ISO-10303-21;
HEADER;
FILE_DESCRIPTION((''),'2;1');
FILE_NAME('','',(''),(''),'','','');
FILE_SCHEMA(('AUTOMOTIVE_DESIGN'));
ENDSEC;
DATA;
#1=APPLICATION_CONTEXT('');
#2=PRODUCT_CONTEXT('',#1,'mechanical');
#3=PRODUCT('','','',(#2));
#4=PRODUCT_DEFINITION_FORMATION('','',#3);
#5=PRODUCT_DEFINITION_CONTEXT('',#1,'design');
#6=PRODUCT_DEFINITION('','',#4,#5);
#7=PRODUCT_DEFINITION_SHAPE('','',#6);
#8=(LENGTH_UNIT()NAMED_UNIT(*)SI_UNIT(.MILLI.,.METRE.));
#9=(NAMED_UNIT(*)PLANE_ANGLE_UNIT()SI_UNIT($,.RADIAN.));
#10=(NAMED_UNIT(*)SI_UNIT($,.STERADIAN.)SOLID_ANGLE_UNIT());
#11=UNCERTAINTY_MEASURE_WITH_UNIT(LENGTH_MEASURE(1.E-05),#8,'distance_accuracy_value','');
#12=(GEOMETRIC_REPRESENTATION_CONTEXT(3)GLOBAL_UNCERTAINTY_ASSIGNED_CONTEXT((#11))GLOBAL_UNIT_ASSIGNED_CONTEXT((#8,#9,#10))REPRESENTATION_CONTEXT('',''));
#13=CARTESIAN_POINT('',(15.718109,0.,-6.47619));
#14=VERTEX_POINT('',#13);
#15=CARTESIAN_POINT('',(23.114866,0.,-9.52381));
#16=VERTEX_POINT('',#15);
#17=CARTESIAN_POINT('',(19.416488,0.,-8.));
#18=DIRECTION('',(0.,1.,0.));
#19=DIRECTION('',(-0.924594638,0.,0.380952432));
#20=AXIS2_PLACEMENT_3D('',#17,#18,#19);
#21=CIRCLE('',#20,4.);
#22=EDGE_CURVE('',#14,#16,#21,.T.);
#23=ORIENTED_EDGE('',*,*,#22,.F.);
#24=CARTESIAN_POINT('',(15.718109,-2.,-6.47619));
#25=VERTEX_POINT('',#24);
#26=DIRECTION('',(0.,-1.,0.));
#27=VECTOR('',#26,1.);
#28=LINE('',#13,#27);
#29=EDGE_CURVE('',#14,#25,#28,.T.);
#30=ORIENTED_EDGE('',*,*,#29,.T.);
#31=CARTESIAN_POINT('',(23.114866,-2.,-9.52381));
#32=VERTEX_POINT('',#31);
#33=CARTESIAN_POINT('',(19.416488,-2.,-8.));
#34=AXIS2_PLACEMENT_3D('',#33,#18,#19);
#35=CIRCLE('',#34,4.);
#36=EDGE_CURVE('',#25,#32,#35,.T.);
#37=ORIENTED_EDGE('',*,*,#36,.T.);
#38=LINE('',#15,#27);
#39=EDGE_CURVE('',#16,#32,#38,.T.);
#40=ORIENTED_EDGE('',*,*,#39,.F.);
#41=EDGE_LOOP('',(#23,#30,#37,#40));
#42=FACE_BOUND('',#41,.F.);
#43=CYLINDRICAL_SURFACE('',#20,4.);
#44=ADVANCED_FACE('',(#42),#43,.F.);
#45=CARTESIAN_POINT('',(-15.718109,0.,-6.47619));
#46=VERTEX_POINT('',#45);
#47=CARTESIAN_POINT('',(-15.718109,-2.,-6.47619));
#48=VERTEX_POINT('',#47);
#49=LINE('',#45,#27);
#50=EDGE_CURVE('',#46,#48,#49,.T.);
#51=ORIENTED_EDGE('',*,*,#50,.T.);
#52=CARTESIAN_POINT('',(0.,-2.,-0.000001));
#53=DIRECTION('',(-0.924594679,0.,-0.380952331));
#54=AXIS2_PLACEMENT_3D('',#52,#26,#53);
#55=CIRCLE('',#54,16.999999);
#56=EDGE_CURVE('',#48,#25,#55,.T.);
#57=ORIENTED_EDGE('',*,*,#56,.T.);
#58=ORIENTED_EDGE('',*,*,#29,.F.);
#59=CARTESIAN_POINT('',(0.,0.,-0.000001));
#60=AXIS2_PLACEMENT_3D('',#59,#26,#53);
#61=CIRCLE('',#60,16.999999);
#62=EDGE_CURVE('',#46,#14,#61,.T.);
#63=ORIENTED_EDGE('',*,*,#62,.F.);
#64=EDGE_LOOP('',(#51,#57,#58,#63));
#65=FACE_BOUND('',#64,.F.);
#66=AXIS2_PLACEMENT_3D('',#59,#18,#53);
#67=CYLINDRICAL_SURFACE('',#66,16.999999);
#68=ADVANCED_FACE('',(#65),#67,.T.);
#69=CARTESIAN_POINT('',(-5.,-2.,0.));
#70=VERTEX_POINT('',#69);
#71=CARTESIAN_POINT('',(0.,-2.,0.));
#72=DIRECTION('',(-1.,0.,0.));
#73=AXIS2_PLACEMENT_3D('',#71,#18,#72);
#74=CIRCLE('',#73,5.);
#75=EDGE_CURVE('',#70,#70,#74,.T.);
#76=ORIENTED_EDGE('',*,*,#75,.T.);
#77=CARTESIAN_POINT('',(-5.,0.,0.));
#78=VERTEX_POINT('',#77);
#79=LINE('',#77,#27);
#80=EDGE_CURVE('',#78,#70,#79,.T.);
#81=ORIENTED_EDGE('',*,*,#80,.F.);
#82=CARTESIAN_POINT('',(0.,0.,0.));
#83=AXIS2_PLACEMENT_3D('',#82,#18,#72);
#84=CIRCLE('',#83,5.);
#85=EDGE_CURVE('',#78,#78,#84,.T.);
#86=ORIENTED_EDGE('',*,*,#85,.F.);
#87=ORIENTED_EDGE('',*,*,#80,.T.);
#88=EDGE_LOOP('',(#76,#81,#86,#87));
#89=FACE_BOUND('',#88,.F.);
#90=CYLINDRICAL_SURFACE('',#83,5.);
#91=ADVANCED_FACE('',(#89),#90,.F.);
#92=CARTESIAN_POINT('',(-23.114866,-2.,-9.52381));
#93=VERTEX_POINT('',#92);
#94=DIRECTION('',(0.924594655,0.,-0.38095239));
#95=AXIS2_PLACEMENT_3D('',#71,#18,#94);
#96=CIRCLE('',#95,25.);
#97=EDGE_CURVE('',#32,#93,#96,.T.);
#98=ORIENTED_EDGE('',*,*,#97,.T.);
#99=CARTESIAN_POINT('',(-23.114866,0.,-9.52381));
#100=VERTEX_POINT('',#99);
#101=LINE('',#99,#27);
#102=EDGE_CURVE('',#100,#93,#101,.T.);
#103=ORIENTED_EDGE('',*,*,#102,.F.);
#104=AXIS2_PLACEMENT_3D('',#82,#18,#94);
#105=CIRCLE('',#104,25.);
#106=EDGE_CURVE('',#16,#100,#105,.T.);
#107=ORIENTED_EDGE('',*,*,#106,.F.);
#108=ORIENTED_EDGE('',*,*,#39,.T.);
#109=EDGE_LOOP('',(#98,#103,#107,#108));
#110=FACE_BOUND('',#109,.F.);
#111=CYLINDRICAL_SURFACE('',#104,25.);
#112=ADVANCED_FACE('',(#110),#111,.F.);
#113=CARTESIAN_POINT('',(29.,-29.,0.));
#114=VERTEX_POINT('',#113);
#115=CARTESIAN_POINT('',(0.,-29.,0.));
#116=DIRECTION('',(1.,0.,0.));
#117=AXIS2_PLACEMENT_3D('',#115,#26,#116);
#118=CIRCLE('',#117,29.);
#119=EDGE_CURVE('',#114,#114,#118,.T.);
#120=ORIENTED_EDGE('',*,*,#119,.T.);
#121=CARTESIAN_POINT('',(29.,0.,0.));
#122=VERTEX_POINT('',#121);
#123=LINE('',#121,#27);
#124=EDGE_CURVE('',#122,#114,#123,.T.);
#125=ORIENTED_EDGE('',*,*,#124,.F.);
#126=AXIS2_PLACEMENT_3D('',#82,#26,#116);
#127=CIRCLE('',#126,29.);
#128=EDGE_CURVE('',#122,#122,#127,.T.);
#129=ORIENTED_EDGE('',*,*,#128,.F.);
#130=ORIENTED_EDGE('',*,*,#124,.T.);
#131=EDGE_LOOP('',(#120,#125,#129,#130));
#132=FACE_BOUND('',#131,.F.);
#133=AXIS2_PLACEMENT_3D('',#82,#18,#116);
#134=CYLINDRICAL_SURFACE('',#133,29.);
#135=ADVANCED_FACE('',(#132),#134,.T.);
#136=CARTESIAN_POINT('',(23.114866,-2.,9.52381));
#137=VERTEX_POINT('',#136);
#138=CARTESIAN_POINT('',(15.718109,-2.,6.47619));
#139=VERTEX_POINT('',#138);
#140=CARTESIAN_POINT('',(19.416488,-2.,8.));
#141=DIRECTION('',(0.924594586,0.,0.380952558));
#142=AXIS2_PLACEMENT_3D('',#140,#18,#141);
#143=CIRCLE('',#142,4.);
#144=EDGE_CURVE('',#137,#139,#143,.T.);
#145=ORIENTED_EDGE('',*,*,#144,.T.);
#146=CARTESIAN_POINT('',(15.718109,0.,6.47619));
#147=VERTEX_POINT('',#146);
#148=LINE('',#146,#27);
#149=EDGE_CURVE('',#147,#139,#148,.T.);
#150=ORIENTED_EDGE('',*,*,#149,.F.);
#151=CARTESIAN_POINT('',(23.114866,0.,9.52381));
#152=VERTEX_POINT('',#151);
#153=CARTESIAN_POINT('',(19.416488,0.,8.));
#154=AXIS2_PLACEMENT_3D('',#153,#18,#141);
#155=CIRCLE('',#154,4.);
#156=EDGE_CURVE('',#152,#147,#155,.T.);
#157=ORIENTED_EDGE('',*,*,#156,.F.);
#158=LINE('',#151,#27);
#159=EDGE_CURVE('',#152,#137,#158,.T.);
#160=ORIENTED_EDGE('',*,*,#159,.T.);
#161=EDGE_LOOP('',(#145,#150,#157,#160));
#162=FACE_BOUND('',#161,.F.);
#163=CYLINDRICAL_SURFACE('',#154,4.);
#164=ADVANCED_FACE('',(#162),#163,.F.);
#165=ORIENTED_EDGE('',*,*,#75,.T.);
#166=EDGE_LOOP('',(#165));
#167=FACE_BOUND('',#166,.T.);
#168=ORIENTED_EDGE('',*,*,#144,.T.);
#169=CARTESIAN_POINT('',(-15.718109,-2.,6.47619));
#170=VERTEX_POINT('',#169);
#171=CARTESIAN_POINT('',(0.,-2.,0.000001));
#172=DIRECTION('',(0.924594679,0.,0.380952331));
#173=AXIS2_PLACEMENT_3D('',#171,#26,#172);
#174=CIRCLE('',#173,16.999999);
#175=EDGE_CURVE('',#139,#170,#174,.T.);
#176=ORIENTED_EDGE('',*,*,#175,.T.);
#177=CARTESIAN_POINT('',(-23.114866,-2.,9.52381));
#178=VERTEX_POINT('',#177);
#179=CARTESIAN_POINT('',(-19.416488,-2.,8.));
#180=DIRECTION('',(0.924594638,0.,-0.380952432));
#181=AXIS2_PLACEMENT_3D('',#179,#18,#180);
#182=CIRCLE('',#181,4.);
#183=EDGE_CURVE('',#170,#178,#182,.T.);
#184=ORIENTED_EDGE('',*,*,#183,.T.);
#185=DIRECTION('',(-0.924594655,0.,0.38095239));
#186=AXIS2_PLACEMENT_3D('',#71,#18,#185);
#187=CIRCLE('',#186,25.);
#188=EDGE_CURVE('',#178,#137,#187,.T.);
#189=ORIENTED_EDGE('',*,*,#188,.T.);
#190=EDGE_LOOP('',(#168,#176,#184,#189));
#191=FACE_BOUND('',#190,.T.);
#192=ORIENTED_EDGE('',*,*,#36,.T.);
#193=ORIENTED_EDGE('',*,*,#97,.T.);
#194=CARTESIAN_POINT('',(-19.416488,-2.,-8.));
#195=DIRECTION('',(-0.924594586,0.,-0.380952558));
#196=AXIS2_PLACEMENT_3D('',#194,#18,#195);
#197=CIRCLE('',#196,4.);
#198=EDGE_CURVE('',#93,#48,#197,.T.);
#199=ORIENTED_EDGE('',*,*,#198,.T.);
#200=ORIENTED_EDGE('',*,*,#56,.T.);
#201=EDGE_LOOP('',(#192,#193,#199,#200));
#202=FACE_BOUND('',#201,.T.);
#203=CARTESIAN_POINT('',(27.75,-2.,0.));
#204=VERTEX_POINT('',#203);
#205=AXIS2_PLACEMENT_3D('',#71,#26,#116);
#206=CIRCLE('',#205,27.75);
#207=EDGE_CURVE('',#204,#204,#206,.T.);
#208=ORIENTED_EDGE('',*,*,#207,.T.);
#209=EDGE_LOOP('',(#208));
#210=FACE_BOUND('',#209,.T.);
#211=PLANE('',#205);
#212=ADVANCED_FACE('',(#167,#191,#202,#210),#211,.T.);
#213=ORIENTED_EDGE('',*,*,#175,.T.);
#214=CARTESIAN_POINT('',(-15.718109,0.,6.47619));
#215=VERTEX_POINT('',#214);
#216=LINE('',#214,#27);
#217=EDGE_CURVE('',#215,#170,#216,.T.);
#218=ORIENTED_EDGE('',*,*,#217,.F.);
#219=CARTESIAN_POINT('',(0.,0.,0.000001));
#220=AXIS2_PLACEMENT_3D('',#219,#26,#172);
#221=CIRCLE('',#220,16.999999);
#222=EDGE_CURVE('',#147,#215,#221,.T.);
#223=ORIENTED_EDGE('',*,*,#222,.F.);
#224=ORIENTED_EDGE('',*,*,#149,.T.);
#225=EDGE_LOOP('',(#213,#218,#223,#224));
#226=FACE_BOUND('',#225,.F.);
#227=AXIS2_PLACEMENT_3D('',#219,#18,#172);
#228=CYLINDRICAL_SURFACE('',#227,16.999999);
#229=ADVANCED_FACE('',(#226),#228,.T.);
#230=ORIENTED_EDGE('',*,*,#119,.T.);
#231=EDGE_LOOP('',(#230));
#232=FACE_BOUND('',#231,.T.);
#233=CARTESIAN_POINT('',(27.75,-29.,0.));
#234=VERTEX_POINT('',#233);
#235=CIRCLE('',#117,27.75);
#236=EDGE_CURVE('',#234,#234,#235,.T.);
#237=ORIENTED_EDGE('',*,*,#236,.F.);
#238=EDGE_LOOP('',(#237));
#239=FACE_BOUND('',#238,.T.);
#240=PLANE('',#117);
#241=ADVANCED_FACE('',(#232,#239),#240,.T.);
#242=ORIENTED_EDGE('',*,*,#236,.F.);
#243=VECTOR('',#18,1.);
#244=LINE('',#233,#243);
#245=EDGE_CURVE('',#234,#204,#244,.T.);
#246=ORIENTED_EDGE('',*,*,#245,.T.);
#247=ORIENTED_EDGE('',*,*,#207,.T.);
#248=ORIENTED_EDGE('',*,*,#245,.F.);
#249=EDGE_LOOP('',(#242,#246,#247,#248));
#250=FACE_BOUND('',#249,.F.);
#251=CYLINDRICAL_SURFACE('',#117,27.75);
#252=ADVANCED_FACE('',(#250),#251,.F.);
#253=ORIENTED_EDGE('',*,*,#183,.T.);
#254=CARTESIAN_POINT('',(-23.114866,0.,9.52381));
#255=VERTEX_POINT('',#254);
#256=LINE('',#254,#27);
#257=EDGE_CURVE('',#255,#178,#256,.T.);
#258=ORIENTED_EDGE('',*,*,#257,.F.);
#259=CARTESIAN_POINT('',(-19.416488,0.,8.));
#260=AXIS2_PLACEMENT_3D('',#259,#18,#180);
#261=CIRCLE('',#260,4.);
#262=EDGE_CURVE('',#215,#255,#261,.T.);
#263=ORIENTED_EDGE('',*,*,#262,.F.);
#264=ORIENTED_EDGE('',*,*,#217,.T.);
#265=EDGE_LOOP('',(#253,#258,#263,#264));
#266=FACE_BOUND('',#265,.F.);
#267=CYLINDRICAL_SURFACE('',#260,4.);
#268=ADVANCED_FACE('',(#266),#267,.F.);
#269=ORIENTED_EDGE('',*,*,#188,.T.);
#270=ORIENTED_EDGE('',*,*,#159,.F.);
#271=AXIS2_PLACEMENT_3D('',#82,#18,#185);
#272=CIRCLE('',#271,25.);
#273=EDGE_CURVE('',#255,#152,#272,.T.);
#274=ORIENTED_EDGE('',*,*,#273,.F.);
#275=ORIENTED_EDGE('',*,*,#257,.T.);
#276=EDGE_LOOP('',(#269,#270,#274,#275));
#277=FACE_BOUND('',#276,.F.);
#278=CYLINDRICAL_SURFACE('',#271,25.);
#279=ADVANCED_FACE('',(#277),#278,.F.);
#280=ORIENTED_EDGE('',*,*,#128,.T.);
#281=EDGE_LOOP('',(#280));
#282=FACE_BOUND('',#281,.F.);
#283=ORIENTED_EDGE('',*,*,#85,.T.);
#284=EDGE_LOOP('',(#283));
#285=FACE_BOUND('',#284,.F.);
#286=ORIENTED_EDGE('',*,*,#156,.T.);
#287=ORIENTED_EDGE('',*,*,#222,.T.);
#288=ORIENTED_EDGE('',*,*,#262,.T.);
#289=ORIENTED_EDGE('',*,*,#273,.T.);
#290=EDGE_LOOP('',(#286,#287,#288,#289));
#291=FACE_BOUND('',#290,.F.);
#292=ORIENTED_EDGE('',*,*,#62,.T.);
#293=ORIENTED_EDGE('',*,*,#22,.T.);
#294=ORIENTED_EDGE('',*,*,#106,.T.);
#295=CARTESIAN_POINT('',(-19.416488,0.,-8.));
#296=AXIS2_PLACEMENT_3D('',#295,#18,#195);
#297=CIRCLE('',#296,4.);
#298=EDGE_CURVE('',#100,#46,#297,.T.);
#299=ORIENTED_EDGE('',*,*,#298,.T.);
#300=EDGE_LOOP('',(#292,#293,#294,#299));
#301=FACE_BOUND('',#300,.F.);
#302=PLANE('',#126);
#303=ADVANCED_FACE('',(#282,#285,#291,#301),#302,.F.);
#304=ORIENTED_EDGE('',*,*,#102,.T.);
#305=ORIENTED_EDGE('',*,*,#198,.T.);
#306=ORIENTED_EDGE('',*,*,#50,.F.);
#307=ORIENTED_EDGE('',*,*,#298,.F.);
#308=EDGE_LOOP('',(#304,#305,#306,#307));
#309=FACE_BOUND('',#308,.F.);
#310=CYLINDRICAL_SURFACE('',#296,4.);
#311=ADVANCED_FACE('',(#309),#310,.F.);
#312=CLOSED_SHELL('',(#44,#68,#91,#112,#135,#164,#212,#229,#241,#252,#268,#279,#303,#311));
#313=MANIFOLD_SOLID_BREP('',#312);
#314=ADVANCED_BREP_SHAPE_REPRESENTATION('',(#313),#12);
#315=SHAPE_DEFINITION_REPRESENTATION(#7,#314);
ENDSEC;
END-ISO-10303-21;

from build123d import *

# Parameters (mm, degrees)
F0_R     = 29
F1_DEPTH = 29
F2_R     = 27.75
F3_DEPTH = 27
F5_DEPTH = 2
F6_R     = 5
F7_DEPTH = 2


with BuildPart() as f1:
    # F0 (on Front) → F1 (new body)
    with BuildSketch(Plane.XZ):
        Circle(F0_R)
    extrude(amount=F1_DEPTH)

    # F2 (on face) → F3 (cut)
    with BuildSketch(Plane.XZ.offset(29)):
        Circle(F2_R)
    extrude(amount=-F3_DEPTH, mode=Mode.SUBTRACT)

    # F4 (on face) → F5 (cut)
    with BuildSketch(Plane(origin=(0, 0, 0), x_dir=(-1, 0, 0), z_dir=(0, 1, 0))):
        with BuildLine():
            ThreePointArc((-15.718109, -6.47619), (-20.940297, -4.301621), (-23.114866, -9.52381))
            ThreePointArc((-23.114866, -9.52381), (0, -25), (23.114866, -9.52381))
            ThreePointArc((23.114866, -9.52381), (20.940297, -4.301621), (15.718109, -6.47619))
            ThreePointArc((15.718109, -6.47619), (0, -17), (-15.718109, -6.47619))
        make_face()
        with BuildLine():
            ThreePointArc((23.114866, 9.52381), (0, 25), (-23.114866, 9.52381))
            ThreePointArc((-23.114866, 9.52381), (-20.940297, 4.301621), (-15.718109, 6.47619))
            ThreePointArc((-15.718109, 6.47619), (0, 17), (15.718109, 6.47619))
            ThreePointArc((15.718109, 6.47619), (20.940297, 4.301621), (23.114866, 9.52381))
        make_face()
    extrude(amount=-F5_DEPTH, mode=Mode.SUBTRACT)

    # F6 (on face) → F7 (cut)
    with BuildSketch(Plane(origin=(0, 0, 0), x_dir=(-1, 0, 0), z_dir=(0, 1, 0))):
        Circle(F6_R)
    extrude(amount=-F7_DEPTH, mode=Mode.SUBTRACT)


solid = f1.part
